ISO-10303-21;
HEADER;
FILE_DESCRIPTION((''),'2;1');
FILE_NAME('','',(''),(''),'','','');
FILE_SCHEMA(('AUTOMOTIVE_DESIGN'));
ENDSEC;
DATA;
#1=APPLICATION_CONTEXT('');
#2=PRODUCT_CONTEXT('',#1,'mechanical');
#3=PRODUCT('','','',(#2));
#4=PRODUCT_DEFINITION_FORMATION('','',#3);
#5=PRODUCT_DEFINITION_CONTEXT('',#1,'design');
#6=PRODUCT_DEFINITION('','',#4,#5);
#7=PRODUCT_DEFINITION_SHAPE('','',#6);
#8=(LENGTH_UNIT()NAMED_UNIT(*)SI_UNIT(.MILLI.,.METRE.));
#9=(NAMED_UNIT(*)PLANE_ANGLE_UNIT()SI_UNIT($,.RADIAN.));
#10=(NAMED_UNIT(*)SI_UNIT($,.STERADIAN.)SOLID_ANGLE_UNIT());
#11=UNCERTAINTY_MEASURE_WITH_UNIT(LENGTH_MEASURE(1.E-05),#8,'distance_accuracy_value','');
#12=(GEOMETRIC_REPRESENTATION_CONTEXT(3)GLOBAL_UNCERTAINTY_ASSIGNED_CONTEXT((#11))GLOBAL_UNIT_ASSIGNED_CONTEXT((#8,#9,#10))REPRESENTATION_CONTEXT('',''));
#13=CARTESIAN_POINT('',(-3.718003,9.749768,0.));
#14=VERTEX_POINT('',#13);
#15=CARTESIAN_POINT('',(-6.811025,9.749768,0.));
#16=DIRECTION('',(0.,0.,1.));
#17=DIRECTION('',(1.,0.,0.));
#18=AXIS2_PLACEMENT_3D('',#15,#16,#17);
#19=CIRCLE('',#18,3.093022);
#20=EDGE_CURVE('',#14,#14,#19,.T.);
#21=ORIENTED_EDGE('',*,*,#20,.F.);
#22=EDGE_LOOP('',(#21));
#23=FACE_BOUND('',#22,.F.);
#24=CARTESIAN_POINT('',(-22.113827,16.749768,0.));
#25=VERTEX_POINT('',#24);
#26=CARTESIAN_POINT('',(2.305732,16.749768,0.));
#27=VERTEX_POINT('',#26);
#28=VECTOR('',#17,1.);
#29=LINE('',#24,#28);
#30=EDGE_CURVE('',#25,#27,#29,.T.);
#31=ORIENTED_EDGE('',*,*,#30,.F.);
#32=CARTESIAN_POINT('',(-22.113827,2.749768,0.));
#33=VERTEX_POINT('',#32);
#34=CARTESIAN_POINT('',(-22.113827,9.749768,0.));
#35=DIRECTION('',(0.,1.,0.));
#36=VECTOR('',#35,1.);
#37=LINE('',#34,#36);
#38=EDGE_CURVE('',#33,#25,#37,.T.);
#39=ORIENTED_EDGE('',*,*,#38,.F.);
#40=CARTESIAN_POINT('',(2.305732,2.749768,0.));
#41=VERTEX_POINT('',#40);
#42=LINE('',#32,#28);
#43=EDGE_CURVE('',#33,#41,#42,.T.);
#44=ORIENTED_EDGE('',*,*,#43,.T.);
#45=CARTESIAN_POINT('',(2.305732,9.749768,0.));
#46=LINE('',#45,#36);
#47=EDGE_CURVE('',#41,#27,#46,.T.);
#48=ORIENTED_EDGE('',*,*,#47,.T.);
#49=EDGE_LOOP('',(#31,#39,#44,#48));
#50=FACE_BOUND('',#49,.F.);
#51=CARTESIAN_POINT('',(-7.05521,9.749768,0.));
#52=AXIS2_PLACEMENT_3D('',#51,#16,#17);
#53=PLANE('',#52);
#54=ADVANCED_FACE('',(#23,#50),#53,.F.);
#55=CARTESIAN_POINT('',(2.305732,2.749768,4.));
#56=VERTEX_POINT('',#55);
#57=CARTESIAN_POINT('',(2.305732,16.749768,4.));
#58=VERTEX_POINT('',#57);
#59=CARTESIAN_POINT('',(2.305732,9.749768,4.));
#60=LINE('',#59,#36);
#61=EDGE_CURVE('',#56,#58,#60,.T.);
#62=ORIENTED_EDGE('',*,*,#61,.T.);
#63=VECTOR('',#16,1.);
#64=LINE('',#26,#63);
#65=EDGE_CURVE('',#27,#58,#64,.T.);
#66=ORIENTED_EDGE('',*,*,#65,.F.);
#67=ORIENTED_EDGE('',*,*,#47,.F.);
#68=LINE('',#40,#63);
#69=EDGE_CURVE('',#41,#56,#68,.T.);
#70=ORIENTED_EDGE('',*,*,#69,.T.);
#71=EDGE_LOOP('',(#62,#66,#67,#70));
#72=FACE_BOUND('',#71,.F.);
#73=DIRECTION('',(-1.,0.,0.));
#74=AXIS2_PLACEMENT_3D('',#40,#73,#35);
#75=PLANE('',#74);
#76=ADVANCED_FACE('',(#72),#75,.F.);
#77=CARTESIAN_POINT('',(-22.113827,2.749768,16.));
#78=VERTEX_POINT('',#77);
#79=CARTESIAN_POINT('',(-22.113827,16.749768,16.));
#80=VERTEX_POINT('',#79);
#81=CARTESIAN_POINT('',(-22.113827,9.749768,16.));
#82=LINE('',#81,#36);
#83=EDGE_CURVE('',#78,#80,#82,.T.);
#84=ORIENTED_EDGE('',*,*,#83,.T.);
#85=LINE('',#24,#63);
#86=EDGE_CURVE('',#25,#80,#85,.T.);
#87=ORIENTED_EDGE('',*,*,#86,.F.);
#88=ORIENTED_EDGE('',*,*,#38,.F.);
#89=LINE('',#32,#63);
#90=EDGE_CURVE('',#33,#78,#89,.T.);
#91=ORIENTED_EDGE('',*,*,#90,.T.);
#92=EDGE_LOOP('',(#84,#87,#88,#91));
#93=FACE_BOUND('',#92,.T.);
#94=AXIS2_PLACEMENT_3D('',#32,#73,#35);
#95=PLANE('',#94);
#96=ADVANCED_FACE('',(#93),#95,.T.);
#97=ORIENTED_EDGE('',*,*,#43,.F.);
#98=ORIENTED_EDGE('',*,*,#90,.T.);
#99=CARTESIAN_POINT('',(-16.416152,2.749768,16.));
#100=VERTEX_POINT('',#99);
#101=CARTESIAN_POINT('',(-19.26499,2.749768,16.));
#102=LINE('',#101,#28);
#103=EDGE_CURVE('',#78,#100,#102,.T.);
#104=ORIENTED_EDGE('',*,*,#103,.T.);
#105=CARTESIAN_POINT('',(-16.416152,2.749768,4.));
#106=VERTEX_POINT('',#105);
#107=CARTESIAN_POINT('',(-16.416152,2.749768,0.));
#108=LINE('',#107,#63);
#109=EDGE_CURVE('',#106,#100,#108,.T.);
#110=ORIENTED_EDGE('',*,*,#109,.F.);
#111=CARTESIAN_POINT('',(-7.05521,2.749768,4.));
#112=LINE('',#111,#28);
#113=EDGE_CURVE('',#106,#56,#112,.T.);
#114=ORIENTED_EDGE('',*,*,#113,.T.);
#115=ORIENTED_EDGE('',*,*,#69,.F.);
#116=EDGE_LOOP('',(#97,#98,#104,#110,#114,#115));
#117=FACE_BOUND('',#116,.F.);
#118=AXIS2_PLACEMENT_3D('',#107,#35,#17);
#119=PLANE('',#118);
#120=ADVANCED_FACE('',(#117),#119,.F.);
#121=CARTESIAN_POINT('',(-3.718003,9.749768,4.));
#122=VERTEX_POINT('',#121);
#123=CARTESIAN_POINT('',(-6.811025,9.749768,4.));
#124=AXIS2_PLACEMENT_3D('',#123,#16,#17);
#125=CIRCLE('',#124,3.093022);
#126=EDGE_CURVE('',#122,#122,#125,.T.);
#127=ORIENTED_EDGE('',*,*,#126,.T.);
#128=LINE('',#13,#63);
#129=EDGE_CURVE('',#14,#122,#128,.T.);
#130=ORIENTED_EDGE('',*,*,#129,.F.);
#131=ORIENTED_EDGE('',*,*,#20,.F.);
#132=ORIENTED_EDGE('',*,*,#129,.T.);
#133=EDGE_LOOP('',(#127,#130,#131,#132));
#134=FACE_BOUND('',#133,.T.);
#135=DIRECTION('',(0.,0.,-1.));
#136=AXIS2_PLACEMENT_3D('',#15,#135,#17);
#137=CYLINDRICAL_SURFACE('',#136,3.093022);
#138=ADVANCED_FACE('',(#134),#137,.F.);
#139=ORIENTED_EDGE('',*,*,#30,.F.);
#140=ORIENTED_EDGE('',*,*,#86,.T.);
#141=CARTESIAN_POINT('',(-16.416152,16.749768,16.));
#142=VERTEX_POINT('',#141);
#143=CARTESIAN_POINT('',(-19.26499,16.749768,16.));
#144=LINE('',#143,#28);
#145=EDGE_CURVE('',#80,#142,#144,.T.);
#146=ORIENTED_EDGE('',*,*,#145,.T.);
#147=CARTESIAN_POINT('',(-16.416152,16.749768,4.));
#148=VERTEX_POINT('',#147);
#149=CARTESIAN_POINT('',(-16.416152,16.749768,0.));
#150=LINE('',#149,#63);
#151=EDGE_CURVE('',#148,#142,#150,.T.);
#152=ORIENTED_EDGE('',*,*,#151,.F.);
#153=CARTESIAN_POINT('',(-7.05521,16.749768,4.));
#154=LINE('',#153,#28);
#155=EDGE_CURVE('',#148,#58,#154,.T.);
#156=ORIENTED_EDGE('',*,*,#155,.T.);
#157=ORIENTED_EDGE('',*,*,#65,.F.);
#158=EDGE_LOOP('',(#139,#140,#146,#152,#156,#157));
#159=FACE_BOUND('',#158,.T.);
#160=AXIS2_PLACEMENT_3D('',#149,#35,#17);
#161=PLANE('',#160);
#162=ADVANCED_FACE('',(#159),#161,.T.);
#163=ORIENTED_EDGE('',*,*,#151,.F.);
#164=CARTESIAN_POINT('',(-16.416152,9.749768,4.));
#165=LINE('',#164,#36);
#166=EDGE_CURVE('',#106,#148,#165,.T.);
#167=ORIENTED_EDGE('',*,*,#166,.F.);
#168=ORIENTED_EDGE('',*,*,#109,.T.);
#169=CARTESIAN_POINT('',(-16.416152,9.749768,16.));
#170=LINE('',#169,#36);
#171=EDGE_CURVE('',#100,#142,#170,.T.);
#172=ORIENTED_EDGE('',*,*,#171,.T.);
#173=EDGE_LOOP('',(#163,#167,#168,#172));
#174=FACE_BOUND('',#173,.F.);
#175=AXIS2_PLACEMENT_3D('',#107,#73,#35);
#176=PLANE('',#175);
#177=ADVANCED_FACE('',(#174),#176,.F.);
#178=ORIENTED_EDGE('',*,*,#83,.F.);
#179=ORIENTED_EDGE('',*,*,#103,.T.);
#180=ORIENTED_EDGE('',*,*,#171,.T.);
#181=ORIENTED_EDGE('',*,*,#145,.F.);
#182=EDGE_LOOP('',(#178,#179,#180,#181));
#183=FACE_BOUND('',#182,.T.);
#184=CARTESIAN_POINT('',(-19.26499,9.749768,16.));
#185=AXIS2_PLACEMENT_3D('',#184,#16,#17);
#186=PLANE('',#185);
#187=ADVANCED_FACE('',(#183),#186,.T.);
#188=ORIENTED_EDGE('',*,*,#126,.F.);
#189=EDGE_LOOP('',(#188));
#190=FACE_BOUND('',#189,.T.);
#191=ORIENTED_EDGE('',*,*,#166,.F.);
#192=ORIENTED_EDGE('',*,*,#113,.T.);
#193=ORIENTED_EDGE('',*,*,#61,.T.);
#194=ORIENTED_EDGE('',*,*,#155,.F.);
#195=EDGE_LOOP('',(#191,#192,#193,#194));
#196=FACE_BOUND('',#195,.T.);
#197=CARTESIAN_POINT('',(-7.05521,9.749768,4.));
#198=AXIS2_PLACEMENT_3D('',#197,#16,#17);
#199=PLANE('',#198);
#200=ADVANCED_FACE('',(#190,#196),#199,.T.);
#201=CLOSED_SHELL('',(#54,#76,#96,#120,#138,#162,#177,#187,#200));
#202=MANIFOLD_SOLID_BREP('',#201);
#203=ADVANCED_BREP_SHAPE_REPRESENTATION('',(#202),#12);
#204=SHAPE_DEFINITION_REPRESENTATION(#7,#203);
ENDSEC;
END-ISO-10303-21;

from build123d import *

# Parameters (mm, degrees)
F0_W     = 5.697675
F0_H     = 14
F1_DEPTH = 16
F0_W_2   = 18.721885
F0_R     = 3.093022
F2_DEPTH = 4


with BuildPart() as f1:
    # F0 (on Top) → F1 (new body)
    with BuildSketch(Plane.XY):
        with Locations((-19.26499, 9.749768)):
            Rectangle(F0_W, F0_H)
    extrude(amount=F1_DEPTH)

    # F0 (on Top) → F2 (join)
    with BuildSketch(Plane.XY):
        with Locations((-7.05521, 9.749768)):
            Rectangle(F0_W_2, F0_H)
        with Locations((-6.811025, 9.749768)):
            Circle(F0_R, mode=Mode.SUBTRACT)
    extrude(amount=F2_DEPTH)


solid = f1.part
